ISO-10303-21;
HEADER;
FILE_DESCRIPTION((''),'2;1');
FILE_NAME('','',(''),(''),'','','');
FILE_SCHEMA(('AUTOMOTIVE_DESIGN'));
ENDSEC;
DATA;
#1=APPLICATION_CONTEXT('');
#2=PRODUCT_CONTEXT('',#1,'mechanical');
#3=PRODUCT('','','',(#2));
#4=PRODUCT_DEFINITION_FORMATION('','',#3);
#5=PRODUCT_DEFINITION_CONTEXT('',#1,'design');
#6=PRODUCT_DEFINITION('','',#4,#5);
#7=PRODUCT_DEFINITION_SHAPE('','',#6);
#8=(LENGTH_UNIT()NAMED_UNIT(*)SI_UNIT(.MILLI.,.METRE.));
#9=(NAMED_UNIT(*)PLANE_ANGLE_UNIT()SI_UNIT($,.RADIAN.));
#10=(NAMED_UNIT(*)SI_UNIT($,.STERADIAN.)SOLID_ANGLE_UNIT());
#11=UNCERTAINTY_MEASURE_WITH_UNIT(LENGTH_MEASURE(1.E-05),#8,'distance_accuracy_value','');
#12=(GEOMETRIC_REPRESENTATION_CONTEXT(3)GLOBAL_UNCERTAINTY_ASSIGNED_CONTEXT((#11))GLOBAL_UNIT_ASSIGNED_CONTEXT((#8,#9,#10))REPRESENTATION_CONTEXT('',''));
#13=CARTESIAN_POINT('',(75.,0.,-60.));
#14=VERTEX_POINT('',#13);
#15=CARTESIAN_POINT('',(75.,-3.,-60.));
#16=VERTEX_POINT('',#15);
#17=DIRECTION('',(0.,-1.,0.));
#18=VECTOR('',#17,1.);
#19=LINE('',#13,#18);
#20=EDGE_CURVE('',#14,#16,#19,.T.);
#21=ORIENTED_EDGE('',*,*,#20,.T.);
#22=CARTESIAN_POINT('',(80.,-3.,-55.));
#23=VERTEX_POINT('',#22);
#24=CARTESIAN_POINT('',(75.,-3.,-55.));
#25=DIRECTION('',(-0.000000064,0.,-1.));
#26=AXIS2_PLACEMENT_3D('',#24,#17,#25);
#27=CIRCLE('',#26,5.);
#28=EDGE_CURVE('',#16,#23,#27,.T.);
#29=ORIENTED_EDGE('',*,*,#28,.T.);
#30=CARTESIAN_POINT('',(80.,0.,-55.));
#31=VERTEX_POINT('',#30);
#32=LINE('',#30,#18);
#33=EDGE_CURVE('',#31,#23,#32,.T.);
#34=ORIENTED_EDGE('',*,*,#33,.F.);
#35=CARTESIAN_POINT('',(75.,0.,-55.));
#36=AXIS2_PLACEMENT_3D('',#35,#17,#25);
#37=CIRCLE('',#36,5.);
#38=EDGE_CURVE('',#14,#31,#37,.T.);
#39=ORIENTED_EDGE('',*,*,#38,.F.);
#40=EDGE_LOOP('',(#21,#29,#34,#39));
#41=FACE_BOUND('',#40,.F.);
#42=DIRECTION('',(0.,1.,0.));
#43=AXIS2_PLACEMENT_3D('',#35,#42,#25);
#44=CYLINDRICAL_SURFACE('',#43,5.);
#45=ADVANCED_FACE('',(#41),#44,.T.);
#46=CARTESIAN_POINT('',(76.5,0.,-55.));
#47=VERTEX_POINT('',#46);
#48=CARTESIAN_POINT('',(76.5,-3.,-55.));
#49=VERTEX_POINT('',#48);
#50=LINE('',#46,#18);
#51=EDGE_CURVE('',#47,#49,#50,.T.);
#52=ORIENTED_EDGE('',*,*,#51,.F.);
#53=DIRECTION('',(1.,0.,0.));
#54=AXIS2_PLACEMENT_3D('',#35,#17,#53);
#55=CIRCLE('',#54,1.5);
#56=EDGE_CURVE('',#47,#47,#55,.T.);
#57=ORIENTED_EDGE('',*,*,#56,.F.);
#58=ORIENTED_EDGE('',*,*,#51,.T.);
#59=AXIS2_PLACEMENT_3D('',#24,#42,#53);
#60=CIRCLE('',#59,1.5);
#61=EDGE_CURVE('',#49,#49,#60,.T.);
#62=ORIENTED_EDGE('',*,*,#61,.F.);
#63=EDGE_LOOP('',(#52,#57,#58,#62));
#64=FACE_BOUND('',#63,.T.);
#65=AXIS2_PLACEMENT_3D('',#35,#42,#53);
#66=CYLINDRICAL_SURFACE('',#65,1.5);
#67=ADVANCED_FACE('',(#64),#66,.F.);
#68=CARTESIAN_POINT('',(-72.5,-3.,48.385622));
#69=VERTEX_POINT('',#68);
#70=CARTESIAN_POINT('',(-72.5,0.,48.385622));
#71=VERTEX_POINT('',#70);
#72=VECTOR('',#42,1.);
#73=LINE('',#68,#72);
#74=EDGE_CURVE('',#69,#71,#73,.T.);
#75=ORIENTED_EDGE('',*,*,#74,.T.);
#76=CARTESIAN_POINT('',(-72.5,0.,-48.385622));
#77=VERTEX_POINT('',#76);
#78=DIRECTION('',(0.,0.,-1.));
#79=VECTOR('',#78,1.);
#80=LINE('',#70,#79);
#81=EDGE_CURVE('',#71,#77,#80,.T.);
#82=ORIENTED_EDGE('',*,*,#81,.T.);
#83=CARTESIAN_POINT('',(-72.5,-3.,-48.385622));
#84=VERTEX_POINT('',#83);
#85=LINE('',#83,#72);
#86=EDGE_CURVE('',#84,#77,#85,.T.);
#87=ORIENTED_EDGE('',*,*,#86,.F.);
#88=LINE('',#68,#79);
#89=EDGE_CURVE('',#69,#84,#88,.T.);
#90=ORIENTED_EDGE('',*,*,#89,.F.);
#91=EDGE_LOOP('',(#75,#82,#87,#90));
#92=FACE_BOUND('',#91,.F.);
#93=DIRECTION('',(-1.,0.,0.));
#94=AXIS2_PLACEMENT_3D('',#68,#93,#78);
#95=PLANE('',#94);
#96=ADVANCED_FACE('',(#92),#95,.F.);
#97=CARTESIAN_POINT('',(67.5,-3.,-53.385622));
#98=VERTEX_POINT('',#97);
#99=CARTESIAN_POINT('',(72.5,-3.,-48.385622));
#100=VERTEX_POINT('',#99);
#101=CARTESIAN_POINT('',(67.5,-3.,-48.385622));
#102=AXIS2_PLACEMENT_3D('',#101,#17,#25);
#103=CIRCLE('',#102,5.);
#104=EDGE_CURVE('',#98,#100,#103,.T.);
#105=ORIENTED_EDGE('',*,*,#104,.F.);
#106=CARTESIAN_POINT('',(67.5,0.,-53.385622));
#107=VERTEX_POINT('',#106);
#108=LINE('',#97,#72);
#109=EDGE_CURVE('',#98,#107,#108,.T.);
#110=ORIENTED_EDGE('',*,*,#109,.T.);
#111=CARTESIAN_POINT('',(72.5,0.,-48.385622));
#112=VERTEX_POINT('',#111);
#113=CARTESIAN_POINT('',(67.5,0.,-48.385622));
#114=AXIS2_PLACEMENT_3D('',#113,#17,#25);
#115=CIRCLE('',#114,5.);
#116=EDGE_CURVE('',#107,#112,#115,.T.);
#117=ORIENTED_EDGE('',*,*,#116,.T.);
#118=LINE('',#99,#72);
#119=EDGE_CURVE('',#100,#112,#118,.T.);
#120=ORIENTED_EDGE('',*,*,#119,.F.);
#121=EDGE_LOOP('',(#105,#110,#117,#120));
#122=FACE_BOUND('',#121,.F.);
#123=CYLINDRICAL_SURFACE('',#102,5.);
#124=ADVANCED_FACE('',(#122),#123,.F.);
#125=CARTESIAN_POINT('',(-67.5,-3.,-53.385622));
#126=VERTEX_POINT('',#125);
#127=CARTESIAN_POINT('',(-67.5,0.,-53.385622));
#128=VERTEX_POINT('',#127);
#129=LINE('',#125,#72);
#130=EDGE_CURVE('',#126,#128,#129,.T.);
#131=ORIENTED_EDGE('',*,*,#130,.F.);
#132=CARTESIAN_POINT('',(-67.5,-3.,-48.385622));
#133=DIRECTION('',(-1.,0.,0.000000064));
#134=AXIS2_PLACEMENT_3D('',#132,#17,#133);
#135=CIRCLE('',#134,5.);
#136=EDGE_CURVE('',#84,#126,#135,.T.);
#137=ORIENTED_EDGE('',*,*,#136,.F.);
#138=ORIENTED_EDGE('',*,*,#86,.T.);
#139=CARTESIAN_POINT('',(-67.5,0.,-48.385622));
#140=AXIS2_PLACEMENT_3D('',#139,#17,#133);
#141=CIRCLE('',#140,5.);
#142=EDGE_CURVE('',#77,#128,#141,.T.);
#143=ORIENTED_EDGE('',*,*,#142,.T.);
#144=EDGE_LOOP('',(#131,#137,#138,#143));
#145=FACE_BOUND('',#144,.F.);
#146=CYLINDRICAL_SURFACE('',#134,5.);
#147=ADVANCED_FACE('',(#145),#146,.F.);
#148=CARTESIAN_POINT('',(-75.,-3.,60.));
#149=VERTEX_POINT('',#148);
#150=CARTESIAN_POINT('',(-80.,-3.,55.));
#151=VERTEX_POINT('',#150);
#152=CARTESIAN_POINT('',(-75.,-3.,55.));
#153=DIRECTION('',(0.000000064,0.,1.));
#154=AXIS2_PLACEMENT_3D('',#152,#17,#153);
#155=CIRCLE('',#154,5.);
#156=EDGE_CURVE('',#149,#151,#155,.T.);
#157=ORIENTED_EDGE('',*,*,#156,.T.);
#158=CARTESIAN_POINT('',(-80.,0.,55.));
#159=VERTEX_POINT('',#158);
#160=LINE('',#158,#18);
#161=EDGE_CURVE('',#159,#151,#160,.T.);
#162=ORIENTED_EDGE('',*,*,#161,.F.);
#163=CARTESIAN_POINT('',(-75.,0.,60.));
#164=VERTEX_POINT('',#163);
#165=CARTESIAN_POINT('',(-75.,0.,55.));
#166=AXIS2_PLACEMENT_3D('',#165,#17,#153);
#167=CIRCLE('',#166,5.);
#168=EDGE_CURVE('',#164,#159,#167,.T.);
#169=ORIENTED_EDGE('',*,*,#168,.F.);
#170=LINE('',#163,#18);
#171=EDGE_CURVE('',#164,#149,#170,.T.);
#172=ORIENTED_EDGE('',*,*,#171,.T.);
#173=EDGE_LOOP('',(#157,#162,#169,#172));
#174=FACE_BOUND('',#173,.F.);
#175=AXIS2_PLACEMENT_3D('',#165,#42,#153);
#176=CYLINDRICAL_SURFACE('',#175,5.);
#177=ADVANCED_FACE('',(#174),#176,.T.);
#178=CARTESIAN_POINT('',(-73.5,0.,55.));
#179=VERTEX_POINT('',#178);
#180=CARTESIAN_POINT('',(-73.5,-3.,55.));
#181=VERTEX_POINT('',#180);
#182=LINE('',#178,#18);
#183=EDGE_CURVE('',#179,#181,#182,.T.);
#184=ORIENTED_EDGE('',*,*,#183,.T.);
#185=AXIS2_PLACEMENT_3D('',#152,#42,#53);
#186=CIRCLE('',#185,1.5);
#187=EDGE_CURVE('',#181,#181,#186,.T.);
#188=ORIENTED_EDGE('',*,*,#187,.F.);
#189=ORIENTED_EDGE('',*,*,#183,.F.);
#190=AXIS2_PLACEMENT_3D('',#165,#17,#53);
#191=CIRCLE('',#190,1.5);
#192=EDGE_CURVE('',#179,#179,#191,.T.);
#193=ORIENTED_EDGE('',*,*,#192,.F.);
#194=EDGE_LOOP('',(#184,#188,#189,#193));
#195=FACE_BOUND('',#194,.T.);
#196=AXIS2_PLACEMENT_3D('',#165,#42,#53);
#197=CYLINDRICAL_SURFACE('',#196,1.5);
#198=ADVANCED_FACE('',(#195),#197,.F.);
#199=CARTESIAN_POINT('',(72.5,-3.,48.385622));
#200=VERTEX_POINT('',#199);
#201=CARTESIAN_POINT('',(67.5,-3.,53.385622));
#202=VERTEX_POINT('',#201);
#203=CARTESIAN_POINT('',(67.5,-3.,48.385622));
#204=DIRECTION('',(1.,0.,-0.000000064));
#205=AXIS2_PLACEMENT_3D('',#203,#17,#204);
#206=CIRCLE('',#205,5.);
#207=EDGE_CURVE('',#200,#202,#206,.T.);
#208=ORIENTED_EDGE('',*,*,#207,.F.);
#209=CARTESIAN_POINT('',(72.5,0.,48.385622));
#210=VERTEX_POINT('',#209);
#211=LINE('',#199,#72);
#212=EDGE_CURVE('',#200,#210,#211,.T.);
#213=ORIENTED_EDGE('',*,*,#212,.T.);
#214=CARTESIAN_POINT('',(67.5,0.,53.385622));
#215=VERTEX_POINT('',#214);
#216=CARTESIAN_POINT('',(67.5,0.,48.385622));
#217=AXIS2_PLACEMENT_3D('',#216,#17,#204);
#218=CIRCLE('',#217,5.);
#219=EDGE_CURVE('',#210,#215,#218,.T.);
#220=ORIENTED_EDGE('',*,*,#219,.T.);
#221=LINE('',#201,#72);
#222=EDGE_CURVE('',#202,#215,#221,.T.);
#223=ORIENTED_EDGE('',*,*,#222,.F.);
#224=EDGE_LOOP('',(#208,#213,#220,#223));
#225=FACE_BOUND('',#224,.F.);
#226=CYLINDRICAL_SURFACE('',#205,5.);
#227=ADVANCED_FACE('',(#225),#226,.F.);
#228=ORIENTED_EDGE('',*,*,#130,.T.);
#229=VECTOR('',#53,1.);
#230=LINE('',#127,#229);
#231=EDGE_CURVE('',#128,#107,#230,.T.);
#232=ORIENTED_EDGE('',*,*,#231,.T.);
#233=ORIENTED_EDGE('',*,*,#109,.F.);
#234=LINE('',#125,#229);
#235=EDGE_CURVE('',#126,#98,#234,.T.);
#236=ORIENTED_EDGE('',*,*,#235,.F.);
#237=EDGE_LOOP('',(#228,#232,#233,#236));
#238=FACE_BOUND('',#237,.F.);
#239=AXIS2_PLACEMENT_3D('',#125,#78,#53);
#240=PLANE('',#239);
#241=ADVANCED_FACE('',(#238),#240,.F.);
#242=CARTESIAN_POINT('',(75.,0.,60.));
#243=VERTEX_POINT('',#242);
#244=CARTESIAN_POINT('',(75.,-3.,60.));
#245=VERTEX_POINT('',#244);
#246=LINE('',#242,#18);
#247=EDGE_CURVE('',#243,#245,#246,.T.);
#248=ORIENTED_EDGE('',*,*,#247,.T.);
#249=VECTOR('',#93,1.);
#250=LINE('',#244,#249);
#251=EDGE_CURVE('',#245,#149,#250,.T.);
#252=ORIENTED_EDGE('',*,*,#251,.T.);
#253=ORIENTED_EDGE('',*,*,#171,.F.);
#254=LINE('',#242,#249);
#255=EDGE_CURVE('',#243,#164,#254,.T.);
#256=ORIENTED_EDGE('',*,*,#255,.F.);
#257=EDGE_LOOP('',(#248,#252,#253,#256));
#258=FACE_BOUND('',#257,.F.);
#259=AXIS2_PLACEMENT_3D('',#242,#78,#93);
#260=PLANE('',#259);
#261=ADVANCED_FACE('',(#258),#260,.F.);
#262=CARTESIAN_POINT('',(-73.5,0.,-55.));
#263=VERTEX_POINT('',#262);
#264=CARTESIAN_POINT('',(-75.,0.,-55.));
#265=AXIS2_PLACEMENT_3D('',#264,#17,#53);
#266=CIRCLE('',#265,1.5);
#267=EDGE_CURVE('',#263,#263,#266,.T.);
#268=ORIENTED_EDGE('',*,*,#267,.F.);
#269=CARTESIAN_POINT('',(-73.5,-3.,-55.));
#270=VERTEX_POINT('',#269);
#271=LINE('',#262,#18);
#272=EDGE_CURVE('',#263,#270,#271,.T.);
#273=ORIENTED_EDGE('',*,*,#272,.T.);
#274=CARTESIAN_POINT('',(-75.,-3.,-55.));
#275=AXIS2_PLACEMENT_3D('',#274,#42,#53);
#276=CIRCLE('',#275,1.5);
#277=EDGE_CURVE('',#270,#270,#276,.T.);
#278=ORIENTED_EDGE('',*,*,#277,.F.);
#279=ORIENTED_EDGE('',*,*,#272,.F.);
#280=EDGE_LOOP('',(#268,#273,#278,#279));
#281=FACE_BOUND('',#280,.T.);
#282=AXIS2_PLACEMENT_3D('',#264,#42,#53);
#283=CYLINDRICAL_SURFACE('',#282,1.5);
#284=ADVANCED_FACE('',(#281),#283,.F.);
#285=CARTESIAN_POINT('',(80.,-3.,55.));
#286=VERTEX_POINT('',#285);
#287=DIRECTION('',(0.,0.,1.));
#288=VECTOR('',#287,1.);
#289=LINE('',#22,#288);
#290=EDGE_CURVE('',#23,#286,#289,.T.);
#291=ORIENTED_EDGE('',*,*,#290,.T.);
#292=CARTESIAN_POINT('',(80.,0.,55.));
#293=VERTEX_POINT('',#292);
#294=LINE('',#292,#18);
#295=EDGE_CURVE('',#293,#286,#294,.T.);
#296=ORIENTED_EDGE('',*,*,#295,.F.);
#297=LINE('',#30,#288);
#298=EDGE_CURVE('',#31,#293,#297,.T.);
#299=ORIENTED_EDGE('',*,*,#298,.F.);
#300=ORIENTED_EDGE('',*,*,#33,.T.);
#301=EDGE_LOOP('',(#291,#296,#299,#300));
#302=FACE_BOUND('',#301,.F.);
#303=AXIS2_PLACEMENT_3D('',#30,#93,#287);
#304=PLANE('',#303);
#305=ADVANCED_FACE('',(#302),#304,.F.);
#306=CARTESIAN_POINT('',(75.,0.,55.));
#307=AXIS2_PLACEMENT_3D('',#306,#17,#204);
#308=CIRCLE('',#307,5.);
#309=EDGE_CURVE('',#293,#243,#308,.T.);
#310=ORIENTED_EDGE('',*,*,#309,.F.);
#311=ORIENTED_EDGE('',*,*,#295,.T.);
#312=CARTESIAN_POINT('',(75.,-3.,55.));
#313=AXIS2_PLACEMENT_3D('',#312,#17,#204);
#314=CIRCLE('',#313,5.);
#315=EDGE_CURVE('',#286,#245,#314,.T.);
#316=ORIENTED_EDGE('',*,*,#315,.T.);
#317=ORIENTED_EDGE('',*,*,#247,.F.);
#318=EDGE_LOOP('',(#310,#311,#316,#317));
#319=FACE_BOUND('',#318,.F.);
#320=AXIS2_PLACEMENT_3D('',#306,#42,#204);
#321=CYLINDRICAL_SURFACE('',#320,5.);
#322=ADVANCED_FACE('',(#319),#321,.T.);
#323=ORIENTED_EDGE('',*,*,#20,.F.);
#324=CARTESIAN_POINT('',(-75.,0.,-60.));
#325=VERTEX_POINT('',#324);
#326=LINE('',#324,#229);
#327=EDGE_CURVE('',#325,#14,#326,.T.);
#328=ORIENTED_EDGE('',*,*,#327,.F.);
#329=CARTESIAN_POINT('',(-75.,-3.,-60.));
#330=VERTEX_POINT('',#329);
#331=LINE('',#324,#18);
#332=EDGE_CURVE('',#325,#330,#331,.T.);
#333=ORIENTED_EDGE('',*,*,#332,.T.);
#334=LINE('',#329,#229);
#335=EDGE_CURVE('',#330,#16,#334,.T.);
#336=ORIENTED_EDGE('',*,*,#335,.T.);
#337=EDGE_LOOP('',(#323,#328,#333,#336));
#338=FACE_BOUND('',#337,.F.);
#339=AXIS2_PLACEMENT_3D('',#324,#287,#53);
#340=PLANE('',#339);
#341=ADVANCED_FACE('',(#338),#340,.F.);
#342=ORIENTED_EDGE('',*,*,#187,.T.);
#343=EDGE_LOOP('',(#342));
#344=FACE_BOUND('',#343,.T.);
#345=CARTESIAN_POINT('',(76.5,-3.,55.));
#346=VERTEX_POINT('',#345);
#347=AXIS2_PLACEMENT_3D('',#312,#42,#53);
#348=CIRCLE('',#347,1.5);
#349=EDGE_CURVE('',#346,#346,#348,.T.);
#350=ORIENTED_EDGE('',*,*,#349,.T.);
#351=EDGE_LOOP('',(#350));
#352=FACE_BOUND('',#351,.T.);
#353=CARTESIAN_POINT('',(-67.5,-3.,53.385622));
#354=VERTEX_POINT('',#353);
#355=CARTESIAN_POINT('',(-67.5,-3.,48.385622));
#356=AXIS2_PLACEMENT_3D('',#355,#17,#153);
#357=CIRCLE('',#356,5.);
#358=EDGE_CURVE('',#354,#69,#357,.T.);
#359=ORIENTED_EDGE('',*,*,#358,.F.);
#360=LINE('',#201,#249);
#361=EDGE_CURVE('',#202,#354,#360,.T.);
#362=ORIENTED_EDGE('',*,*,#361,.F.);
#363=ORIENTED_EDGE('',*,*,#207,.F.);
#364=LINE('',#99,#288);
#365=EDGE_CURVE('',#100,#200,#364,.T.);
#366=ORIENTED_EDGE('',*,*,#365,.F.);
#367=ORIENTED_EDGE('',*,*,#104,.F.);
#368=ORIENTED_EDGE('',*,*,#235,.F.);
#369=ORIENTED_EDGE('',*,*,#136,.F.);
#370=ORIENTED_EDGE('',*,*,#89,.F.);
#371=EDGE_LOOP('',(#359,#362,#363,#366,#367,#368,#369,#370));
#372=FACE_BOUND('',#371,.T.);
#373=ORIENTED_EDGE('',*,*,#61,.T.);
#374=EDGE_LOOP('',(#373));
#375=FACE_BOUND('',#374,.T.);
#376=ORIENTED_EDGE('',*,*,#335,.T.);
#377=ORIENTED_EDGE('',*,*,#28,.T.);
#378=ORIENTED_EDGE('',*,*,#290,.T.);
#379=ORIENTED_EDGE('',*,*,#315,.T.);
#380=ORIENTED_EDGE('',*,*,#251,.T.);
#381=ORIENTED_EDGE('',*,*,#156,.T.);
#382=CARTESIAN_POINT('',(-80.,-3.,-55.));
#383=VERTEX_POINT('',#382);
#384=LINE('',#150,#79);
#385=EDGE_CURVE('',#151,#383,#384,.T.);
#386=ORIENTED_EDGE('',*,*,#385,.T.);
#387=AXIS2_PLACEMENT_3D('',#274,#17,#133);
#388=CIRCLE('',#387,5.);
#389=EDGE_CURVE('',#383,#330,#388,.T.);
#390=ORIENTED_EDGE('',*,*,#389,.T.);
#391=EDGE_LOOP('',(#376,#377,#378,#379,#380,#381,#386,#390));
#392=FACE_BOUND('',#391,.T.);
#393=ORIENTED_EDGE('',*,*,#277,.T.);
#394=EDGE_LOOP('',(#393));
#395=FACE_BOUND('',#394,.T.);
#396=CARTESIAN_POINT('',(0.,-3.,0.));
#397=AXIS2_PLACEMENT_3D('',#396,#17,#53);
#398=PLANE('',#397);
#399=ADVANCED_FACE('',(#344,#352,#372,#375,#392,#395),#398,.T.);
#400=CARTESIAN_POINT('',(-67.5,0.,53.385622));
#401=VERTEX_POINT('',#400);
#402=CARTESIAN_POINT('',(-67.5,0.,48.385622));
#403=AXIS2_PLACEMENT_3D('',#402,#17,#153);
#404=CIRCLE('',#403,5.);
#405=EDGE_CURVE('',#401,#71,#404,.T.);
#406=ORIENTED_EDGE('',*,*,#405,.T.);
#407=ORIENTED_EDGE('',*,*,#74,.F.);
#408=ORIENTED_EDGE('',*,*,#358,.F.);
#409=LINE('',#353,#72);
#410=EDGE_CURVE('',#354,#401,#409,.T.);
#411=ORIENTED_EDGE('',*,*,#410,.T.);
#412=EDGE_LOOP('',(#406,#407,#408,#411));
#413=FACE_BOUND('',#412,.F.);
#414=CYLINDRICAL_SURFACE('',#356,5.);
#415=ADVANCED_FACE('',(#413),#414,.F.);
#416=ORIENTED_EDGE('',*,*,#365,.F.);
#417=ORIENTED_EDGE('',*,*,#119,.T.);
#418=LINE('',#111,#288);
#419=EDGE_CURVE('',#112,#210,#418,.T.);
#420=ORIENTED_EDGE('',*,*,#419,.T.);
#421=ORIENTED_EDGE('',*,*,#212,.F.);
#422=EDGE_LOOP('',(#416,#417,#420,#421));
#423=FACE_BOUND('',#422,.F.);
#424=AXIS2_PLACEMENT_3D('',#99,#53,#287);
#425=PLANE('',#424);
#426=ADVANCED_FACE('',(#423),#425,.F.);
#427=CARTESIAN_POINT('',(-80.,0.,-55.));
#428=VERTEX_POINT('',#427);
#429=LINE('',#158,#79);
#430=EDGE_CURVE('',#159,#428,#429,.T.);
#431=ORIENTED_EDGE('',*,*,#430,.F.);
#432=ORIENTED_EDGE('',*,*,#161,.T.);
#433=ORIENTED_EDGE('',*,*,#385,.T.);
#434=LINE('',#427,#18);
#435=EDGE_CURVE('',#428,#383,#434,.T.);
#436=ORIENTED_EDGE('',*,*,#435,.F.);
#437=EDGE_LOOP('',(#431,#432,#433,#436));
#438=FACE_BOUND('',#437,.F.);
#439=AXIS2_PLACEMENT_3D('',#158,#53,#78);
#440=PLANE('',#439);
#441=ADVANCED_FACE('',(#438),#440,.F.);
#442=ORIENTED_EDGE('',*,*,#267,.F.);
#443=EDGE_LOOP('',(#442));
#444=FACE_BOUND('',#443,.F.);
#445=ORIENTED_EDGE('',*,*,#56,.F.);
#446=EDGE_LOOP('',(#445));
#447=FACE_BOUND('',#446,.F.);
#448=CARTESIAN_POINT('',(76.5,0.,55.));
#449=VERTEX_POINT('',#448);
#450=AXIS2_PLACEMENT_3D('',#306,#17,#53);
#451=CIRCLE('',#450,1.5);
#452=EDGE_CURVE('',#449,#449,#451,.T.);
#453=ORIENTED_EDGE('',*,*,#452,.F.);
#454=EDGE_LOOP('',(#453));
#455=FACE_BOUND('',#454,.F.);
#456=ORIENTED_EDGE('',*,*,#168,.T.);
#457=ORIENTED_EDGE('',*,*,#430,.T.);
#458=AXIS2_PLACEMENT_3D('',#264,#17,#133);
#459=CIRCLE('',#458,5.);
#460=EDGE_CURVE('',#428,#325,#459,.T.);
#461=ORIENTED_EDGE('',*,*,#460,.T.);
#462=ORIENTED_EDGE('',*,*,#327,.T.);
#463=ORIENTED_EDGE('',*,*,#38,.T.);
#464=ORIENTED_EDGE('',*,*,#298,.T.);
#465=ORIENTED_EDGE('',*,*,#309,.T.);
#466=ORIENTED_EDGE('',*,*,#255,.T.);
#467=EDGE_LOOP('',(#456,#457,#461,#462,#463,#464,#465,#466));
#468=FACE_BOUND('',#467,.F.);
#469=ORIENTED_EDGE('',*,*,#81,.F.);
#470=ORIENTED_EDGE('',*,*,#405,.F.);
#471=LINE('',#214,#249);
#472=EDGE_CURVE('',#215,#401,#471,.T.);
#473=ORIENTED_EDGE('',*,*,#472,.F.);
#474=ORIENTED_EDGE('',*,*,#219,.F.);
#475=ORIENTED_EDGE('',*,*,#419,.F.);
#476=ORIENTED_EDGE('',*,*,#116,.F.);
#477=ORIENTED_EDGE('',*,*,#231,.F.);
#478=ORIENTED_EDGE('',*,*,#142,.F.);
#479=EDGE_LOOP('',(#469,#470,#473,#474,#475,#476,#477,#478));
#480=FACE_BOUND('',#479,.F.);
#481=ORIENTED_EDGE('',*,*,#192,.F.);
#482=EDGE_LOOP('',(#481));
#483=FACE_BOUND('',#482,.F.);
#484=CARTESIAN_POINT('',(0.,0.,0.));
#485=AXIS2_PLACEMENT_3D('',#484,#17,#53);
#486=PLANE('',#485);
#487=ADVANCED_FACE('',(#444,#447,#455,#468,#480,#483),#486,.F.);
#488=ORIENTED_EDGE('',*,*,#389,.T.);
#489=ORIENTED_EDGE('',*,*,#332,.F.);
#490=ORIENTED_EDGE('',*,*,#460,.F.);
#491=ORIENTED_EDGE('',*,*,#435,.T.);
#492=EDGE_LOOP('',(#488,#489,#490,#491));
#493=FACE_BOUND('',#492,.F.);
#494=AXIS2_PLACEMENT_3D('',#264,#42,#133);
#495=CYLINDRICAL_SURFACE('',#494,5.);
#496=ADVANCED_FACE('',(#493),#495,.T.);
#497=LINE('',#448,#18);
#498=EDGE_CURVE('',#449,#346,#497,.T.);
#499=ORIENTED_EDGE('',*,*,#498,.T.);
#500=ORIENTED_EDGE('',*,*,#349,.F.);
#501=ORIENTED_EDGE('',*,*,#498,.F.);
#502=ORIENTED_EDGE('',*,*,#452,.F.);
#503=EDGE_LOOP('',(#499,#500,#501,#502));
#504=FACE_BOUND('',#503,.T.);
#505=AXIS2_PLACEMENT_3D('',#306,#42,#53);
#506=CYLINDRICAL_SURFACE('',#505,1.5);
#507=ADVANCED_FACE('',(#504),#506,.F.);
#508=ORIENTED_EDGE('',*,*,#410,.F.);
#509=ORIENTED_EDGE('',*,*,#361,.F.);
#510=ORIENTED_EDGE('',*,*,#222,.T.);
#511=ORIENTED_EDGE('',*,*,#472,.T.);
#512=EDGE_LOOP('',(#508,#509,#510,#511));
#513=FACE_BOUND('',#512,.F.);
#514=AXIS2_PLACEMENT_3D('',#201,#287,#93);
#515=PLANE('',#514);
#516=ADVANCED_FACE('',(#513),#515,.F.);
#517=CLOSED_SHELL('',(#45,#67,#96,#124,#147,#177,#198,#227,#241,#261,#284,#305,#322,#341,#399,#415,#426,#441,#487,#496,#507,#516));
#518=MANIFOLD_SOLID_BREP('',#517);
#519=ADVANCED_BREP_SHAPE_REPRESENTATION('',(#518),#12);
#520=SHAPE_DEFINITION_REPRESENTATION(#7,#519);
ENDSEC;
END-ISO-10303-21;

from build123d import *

# Parameters (mm, degrees)
F1_DEPTH = 3
F2_R     = 1.5
F3_DEPTH = 25
F5_DEPTH = 3


with BuildPart() as f1:
    # F0 (on Front) → F1 (new body)
    with BuildSketch(Plane.XZ):
        with BuildLine():
            Line((-75, -60), (75, -60))
            ThreePointArc((75, -60), (78.535534, -58.535534), (80, -55))
            Line((80, -55), (80, 55))
            ThreePointArc((80, 55), (78.535534, 58.535534), (75, 60))
            Line((75, 60), (-75, 60))
            ThreePointArc((-75, 60), (-78.535534, 58.535534), (-80, 55))
            Line((-80, 55), (-80, -55))
            ThreePointArc((-80, -55), (-78.535534, -58.535534), (-75, -60))
        make_face()
    extrude(amount=F1_DEPTH)

    # F2 (on Front) → F3 (cut)
    with BuildSketch(Plane.XZ):
        with Locations((-75, 55)):
            Circle(F2_R)
        with Locations((75, 55)):
            Circle(F2_R)
        with Locations((75, -55)):
            Circle(F2_R)
        with Locations((-75, -55)):
            Circle(F2_R)
    extrude(amount=F3_DEPTH, mode=Mode.SUBTRACT)

    # F4 (on face) → F5 (cut)
    with BuildSketch(Plane.XZ.offset(3)):
        with BuildLine():
            ThreePointArc((72.5, 48.385622), (71.035534, 51.921156), (67.5, 53.385622))
            Line((67.5, 53.385622), (-67.5, 53.385622))
            ThreePointArc((-67.5, 53.385622), (-71.035534, 51.921156), (-72.5, 48.385622))
            Line((-72.5, 48.385622), (-72.5, -48.385622))
            ThreePointArc((-72.5, -48.385622), (-71.035534, -51.921156), (-67.5, -53.385622))
            Line((-67.5, -53.385622), (67.5, -53.385622))
            ThreePointArc((67.5, -53.385622), (71.035534, -51.921156), (72.5, -48.385622))
            Line((72.5, -48.385622), (72.5, 48.385622))
        make_face()
    extrude(amount=-F5_DEPTH, mode=Mode.SUBTRACT)


solid = f1.part
